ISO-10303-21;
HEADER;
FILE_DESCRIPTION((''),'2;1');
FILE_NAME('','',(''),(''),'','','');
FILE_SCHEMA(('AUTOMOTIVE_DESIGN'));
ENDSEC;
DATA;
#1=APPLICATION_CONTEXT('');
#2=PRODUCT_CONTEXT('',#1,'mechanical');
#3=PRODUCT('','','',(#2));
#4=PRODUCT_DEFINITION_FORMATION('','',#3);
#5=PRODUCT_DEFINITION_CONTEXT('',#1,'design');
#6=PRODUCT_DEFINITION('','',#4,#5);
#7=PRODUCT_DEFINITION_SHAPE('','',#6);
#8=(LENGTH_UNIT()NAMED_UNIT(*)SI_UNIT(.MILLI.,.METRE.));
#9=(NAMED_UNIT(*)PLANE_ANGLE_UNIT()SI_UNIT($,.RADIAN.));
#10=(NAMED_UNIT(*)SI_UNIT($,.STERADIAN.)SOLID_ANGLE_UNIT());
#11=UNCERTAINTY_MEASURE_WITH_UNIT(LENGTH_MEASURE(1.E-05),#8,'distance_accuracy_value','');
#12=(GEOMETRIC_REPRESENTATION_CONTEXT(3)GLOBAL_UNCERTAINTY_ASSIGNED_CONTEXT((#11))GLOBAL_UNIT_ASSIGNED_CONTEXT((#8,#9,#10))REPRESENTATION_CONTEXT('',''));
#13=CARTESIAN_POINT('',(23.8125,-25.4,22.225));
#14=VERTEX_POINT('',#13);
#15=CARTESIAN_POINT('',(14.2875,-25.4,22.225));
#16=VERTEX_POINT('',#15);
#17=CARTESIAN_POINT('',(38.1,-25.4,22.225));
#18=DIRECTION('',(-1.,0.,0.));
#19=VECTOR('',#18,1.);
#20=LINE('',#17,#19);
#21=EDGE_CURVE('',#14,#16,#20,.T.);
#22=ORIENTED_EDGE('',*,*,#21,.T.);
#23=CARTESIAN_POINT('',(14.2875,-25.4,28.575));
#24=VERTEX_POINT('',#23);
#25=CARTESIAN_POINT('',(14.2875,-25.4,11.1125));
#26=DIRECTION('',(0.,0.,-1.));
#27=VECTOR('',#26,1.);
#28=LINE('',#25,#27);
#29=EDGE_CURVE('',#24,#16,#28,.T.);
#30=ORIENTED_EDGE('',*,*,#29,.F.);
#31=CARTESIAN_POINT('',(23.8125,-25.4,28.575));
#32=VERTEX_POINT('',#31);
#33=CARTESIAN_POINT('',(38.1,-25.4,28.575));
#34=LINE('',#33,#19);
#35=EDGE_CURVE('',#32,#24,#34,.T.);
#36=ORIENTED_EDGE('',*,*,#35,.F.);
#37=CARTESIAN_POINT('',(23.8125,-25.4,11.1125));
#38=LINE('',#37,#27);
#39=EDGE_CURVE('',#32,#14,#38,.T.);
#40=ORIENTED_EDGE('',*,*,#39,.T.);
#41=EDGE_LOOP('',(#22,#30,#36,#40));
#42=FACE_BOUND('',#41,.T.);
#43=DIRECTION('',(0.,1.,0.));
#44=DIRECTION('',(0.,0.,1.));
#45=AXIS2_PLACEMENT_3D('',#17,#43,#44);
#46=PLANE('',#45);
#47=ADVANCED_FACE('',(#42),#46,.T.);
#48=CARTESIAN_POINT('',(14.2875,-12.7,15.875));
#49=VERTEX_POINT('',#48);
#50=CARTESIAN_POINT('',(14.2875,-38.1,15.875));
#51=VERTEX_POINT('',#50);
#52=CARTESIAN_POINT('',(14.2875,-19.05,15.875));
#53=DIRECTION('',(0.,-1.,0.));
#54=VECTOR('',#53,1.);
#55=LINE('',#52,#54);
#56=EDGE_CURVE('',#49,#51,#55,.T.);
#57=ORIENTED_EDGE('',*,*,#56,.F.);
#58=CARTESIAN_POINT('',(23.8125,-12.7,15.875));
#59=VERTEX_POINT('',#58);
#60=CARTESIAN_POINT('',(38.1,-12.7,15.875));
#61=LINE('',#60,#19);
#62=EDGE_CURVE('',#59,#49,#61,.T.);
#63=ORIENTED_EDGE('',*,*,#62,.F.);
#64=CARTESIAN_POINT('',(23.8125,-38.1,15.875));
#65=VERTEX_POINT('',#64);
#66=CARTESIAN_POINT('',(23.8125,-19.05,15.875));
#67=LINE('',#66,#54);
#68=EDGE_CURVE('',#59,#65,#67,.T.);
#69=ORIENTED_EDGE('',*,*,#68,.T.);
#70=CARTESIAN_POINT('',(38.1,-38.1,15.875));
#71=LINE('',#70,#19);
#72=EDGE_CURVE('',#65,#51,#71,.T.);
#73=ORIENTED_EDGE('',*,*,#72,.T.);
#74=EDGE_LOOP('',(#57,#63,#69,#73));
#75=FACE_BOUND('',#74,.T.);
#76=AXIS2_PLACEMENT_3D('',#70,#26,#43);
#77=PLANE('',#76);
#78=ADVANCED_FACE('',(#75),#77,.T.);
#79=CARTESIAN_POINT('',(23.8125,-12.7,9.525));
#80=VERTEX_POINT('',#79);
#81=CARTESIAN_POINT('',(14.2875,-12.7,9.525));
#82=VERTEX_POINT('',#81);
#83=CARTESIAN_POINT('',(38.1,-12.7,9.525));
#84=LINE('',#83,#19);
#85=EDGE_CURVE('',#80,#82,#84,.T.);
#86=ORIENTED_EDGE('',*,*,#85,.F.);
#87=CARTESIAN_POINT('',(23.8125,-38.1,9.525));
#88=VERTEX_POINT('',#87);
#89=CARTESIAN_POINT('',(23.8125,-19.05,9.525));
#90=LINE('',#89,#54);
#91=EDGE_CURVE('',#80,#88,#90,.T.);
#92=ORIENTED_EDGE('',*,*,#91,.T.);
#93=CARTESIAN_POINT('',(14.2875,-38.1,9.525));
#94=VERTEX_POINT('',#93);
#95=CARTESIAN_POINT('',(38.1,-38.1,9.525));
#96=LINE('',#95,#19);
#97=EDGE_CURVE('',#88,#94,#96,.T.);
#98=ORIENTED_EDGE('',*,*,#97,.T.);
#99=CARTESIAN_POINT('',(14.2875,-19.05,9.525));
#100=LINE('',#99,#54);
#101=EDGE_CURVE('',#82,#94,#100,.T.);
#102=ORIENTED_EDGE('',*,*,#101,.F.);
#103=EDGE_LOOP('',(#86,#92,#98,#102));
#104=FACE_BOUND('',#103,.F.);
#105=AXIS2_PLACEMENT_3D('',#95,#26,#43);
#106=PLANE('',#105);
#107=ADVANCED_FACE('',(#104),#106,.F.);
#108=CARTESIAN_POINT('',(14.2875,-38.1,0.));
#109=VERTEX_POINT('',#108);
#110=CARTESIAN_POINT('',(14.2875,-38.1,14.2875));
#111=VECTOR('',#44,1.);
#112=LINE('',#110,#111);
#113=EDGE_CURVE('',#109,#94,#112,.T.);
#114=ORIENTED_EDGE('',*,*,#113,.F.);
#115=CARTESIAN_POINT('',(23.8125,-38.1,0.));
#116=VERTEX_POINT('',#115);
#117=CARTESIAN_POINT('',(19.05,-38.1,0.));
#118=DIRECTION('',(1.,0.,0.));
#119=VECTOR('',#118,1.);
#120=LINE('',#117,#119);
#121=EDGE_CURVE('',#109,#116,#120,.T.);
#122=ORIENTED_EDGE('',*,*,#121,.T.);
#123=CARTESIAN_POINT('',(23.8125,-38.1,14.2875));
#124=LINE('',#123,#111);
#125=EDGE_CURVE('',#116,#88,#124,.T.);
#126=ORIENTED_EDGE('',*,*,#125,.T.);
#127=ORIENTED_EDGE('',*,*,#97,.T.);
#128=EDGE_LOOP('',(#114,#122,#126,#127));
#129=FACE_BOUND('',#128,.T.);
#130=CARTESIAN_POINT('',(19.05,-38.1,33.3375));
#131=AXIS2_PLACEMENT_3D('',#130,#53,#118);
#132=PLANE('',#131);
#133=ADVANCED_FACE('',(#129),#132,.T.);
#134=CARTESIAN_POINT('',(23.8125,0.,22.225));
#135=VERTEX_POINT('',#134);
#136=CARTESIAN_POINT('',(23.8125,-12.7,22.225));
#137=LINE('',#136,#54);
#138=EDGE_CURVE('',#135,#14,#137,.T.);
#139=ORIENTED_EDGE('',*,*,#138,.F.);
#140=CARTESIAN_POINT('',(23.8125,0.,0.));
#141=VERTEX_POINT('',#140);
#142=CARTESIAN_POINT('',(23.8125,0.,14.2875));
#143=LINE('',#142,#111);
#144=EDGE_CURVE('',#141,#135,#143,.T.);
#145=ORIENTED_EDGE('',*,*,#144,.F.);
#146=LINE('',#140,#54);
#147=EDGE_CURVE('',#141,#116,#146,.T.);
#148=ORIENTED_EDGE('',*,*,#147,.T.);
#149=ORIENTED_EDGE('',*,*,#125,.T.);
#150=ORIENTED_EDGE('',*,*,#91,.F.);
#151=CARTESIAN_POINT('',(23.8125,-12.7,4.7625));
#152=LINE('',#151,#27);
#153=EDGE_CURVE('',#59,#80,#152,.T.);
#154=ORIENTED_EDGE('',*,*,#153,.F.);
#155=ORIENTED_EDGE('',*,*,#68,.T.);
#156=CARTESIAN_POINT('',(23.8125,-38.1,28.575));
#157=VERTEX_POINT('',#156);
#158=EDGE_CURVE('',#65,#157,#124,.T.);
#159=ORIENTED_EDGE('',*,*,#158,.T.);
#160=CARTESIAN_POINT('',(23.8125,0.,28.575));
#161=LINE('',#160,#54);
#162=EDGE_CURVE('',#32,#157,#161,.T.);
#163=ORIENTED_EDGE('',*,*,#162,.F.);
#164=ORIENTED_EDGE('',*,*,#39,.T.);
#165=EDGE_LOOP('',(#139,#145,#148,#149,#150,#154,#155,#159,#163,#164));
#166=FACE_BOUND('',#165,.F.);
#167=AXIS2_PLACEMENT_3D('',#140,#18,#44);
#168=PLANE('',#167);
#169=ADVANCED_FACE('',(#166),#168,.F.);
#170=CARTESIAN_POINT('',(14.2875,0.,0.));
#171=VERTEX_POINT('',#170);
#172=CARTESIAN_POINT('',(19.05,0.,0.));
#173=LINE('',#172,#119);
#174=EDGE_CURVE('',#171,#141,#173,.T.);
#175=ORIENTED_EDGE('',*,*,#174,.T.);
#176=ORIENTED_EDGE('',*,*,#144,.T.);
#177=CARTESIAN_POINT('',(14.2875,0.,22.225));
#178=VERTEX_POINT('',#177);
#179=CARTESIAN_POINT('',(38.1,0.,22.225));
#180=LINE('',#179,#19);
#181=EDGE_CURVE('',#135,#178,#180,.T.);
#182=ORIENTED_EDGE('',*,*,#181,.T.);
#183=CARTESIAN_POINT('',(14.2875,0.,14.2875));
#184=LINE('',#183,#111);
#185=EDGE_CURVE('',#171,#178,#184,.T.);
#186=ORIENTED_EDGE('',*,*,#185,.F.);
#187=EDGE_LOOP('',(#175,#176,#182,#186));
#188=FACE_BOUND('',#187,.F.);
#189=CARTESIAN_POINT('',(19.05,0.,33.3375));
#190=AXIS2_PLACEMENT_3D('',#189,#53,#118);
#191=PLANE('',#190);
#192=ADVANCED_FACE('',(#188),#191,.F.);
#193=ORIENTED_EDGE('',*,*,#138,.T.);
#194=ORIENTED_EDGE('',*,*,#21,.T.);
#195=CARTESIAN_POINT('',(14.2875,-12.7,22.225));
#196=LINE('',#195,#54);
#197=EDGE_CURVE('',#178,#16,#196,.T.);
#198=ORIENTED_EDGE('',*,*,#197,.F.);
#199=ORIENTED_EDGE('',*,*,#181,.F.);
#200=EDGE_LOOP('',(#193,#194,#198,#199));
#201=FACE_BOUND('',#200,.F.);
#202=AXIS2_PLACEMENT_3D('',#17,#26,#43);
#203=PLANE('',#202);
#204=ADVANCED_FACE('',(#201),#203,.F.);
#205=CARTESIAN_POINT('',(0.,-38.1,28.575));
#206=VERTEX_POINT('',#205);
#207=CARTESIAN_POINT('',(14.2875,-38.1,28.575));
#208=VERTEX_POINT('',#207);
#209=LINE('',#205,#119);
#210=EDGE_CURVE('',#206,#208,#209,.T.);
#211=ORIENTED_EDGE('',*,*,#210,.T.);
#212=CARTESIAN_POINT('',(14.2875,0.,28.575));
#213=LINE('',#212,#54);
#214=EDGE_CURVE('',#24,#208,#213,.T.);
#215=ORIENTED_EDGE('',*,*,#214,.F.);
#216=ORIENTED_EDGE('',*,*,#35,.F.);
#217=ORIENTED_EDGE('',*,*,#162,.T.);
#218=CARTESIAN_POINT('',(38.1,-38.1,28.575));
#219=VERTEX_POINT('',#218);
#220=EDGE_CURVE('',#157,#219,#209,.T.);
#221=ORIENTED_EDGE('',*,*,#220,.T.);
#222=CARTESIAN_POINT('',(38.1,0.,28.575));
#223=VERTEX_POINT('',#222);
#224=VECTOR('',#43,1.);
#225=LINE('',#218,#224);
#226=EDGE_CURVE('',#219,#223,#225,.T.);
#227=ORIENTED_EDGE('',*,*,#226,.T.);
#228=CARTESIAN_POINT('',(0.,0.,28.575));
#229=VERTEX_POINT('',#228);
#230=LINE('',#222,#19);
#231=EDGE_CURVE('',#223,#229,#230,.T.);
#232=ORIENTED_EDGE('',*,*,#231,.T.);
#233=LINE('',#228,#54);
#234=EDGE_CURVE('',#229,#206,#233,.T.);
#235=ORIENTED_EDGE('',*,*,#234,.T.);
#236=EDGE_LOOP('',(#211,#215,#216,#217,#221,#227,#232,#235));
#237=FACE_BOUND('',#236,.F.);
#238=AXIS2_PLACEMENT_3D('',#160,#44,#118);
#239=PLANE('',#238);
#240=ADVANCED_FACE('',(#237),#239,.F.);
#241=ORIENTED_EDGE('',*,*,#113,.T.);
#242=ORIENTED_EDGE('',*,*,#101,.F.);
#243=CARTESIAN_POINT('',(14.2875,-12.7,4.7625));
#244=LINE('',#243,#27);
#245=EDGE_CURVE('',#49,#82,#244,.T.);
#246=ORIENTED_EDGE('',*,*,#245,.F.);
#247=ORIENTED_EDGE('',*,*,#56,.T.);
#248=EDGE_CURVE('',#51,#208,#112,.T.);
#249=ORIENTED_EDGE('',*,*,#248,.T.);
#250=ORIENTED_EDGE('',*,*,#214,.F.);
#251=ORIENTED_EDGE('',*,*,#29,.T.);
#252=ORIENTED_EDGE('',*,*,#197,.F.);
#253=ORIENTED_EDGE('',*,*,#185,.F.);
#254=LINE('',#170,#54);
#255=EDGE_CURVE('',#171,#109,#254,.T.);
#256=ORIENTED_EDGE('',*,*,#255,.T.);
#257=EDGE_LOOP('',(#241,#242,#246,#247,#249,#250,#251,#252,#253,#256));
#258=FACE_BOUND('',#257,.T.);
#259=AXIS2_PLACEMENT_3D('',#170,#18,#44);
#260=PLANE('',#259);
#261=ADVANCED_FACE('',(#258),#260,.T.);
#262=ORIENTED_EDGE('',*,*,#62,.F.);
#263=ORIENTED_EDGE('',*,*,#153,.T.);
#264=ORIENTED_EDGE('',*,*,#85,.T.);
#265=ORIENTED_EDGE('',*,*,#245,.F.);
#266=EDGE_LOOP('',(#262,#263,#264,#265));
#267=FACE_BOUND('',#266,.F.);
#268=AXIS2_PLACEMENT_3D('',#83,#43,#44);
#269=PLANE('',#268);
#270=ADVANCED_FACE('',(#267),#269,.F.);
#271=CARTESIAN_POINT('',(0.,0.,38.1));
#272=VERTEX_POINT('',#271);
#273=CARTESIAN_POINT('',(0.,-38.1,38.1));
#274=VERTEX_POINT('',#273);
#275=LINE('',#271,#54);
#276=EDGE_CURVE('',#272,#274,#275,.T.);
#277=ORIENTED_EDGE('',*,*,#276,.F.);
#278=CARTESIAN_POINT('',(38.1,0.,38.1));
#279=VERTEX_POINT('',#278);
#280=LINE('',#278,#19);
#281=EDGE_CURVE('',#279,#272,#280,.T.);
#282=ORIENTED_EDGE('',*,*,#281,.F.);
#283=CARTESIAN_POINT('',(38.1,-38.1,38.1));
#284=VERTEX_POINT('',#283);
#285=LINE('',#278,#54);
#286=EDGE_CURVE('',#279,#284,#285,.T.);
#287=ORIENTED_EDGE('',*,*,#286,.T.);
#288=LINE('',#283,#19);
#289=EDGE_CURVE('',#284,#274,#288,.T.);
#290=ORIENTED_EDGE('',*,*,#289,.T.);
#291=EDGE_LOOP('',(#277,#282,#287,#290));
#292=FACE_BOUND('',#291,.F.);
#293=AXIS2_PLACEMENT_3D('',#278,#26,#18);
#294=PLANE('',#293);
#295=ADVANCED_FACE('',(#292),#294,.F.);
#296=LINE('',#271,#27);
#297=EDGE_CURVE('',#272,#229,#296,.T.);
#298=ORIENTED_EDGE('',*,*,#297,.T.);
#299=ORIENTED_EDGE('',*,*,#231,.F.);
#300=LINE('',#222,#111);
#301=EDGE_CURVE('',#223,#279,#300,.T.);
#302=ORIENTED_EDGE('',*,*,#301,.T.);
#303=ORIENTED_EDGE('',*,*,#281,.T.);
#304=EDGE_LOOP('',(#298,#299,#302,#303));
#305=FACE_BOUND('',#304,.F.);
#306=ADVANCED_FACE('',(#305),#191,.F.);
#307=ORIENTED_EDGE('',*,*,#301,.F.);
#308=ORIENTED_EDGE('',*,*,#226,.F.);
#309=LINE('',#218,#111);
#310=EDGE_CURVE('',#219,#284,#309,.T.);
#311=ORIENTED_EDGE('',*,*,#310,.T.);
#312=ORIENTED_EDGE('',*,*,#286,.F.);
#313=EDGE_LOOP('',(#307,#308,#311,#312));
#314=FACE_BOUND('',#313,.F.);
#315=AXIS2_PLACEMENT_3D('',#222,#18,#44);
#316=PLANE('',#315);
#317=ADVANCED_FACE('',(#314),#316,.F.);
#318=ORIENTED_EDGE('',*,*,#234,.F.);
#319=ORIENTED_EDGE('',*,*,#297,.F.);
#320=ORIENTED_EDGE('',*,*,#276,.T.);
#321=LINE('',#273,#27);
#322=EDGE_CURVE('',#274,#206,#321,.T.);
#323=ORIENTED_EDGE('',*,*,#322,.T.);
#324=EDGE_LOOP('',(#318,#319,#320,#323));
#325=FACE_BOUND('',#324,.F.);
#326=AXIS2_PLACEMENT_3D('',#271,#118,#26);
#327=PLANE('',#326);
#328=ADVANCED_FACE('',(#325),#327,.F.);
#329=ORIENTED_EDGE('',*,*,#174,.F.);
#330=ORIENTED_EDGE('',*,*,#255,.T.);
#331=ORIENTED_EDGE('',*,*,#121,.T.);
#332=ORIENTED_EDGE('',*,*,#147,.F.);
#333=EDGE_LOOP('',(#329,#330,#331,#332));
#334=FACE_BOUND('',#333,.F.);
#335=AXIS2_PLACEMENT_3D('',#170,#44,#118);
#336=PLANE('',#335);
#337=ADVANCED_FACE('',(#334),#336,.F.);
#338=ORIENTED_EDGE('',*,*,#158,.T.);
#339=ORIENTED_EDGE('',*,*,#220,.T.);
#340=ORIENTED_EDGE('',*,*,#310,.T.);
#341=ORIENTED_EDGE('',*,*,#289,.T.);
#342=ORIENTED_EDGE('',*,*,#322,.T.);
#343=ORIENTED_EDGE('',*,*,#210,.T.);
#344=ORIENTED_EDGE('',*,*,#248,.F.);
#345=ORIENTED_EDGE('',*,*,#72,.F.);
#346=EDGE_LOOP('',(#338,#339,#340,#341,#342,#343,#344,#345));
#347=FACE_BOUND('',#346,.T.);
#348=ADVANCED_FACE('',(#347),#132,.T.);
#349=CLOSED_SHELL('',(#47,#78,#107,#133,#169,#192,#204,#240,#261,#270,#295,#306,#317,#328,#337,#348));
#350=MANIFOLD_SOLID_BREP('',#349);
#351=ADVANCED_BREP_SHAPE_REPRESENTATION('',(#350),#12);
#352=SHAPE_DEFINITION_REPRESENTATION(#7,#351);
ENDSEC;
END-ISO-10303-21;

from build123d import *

# Parameters (mm, degrees)
F0_W     = 9.525
F0_H     = 28.575
F1_DEPTH = 38.1
F2_W     = 25.4
F2_H     = 6.35
F3_DEPTH = 25.4


with BuildPart() as f1:
    # F0 (on Front) → F1 (new body)
    with BuildSketch(Plane.XZ):
        Polygon((38.1, 38.1), (0, 38.1), (0, 28.575), (14.2875, 28.575), (23.8125, 28.575), (38.1, 28.575), align=None)
        with Locations((19.05, 14.2875)):
            Rectangle(F0_W, F0_H)
    extrude(amount=F1_DEPTH)

    # F2 (on face) → F3 (cut)
    with BuildSketch(Plane.YZ.offset(38.1)):
        with Locations((-25.4, 12.7)):
            Rectangle(F2_W, F2_H)
        with Locations((-12.7, 25.4)):
            Rectangle(F2_W, F2_H)
    extrude(amount=-F3_DEPTH, mode=Mode.SUBTRACT)


solid = f1.part
